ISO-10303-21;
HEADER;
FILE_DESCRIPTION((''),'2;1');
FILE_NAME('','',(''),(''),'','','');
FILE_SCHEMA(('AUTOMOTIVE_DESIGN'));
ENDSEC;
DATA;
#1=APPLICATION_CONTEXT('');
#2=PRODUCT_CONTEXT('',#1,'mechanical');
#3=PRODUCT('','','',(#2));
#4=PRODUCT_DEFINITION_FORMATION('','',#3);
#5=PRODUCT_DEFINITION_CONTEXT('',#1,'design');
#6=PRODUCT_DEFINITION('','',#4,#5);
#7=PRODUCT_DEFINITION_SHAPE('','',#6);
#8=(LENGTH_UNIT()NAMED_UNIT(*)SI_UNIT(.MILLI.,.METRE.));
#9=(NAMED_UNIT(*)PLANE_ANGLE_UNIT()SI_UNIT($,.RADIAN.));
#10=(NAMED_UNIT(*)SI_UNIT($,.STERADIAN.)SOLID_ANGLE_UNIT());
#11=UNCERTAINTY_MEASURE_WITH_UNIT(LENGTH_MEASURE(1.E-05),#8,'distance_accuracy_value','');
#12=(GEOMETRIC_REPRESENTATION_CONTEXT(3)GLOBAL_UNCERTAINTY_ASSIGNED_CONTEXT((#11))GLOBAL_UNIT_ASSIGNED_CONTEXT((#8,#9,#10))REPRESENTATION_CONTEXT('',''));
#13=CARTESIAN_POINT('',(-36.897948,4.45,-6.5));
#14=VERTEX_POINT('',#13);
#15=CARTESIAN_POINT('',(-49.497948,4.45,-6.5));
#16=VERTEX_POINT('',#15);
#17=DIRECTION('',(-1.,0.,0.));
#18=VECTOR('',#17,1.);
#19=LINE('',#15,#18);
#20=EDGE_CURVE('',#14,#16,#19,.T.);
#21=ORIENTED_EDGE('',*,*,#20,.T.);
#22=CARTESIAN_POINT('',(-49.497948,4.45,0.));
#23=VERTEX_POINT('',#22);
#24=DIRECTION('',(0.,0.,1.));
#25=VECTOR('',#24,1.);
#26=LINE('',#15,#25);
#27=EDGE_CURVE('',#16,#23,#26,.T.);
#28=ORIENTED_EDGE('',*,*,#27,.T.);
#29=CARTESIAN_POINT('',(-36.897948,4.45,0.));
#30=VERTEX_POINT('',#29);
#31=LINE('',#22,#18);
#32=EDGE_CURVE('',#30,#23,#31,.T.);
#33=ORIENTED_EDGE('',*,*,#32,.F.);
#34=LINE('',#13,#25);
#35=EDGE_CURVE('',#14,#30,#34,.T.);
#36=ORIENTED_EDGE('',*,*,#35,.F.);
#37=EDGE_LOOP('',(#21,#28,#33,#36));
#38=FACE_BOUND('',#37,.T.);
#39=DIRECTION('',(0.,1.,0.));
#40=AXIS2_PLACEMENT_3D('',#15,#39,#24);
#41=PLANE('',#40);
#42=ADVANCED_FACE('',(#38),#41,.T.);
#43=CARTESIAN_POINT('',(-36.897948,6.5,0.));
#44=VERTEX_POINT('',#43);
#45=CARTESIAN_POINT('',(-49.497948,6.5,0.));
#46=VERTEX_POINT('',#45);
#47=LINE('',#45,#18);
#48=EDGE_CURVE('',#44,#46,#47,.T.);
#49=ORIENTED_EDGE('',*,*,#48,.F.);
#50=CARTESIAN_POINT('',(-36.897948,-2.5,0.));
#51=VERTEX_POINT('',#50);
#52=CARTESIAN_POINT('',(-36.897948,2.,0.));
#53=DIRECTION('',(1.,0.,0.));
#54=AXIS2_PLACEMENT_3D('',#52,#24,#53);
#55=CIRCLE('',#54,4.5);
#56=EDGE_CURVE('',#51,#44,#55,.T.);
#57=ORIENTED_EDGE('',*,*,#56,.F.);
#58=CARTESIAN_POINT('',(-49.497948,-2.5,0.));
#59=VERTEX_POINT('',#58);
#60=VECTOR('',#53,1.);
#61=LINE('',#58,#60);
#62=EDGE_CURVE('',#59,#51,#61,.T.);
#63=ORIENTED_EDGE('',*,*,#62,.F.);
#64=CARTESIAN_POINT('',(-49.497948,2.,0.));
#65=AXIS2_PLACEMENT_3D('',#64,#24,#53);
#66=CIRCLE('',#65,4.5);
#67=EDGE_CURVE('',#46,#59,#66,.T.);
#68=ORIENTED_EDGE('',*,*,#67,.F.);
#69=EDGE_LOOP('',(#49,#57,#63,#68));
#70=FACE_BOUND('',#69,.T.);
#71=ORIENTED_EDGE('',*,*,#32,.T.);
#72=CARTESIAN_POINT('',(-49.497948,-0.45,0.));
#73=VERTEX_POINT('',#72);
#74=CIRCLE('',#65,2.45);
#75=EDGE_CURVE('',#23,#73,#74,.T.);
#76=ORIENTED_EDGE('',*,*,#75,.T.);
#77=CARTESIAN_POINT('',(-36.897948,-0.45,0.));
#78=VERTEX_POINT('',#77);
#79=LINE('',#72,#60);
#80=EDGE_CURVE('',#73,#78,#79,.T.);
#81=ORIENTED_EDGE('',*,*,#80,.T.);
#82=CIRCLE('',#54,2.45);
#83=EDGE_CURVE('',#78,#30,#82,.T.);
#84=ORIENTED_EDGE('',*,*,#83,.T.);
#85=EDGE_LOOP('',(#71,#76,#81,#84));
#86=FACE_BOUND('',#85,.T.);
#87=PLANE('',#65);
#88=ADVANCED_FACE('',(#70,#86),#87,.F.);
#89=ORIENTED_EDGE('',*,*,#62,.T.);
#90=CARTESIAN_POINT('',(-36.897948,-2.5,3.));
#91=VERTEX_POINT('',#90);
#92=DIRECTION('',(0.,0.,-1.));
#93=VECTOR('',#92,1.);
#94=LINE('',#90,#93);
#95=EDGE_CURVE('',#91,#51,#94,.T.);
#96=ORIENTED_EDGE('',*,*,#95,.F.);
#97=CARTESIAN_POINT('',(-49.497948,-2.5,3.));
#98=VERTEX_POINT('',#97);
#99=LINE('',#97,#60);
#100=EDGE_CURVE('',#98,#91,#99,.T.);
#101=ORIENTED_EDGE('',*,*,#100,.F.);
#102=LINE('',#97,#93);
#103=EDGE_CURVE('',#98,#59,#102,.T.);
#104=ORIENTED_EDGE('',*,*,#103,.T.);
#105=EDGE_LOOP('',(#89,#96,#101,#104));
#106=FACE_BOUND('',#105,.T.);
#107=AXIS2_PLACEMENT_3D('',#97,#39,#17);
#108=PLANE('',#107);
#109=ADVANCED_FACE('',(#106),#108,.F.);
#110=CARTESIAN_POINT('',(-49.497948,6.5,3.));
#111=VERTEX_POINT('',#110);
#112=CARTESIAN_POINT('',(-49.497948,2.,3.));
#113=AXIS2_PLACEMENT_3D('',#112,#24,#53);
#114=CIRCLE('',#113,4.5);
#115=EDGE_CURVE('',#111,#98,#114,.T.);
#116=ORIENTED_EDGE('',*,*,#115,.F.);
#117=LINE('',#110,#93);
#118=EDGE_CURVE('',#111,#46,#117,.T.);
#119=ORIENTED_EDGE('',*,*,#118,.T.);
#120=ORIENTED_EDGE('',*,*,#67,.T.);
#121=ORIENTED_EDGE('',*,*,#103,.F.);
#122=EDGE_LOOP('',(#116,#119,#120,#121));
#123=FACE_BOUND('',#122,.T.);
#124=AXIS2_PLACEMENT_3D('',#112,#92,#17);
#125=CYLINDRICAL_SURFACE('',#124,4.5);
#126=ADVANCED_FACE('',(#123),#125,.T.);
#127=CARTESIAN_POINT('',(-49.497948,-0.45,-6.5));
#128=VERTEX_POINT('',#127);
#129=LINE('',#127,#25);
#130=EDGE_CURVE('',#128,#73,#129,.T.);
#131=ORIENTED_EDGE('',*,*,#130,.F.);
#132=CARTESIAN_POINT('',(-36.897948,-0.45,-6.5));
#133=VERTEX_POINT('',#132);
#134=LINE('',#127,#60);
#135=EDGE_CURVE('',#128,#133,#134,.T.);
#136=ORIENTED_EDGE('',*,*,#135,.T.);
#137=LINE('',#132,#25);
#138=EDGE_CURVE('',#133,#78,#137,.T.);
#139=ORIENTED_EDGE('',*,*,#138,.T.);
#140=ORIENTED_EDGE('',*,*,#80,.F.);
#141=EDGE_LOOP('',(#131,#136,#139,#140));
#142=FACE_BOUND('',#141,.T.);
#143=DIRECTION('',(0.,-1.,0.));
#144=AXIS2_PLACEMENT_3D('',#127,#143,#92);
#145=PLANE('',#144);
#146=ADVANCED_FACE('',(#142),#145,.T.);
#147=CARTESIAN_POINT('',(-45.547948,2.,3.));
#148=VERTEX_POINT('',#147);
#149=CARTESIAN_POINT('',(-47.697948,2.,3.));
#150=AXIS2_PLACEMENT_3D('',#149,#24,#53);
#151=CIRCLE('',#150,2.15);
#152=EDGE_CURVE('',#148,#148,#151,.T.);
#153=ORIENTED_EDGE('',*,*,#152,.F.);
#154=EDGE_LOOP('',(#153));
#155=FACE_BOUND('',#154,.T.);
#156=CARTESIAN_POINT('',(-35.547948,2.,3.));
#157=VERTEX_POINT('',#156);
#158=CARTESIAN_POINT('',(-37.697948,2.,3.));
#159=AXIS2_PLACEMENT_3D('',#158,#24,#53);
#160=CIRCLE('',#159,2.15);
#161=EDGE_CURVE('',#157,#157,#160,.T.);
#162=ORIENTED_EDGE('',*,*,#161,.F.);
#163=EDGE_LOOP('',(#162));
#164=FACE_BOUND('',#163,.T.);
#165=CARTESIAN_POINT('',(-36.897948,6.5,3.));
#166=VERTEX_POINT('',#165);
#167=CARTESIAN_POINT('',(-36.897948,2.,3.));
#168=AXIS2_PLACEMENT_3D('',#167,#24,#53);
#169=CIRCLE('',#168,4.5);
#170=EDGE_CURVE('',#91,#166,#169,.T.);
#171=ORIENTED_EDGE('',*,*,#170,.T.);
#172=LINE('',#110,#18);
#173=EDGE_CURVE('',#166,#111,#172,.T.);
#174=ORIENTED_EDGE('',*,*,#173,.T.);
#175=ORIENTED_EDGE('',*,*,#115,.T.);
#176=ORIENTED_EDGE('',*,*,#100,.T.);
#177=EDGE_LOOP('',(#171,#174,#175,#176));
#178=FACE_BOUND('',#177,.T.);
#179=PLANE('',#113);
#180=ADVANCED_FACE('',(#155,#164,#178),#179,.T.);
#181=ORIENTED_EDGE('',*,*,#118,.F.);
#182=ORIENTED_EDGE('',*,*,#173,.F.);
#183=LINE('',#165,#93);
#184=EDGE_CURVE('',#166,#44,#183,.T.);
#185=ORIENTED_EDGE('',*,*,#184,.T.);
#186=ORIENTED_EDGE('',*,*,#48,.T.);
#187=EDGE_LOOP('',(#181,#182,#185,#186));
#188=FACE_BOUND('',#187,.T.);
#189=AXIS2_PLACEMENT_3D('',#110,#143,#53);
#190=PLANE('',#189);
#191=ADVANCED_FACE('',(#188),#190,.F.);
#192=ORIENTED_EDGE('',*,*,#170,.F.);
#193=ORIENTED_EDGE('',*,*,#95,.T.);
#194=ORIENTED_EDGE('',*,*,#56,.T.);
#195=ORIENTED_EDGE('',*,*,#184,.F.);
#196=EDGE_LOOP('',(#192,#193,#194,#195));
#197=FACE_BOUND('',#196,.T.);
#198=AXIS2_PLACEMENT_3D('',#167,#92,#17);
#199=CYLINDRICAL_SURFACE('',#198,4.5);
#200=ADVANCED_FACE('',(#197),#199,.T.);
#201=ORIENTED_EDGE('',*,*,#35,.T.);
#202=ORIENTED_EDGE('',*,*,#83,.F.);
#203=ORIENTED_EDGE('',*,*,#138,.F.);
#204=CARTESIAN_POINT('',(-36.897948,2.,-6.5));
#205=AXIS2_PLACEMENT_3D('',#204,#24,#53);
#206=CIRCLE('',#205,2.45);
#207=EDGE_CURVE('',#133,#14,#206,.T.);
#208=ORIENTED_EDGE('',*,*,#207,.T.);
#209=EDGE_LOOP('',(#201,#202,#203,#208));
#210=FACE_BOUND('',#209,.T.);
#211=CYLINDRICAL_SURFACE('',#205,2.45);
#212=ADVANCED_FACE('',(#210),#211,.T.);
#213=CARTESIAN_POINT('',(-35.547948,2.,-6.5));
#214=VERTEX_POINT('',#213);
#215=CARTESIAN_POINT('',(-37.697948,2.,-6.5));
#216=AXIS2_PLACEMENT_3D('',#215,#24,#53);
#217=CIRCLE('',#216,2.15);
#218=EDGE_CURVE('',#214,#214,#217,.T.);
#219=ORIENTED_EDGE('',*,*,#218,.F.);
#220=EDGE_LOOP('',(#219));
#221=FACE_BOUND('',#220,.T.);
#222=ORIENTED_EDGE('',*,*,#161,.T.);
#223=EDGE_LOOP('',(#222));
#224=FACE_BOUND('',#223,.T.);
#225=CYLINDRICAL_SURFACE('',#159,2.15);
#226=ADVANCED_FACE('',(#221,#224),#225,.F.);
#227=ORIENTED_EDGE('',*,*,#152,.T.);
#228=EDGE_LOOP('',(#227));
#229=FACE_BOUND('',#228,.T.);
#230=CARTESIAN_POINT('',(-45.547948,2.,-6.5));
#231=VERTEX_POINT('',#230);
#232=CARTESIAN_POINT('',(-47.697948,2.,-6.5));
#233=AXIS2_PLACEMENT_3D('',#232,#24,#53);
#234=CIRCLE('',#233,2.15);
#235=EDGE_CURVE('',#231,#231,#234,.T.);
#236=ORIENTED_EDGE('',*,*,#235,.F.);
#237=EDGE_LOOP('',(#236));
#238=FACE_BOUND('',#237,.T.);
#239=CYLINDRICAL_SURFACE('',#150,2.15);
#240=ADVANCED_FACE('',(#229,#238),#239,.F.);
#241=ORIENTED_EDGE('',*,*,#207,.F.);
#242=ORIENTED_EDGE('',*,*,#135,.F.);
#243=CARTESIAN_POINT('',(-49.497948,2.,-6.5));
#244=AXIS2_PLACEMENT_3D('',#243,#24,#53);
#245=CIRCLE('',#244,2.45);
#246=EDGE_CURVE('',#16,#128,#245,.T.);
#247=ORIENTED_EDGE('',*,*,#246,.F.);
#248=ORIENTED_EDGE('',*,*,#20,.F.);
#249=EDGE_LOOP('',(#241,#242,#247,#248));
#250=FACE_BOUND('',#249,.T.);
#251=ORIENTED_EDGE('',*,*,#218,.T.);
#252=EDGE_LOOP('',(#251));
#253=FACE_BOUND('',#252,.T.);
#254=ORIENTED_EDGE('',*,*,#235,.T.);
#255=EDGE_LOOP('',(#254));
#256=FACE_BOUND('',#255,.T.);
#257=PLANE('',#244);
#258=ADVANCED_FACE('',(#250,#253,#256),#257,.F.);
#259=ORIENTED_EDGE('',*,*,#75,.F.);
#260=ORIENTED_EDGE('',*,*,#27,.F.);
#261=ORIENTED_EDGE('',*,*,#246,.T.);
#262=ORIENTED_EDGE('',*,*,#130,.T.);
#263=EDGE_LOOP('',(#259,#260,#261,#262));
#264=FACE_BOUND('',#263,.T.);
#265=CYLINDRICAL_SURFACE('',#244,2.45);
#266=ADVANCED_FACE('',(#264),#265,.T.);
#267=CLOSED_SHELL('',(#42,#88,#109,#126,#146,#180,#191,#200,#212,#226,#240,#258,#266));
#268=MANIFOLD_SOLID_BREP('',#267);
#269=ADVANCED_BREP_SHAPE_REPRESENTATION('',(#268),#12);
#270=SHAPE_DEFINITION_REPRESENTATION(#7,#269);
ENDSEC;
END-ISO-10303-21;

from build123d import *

# Parameters (mm, degrees)
BOSS_EXTRUDE1_DEPTH  = 6.5
BOSS_EXTRUDE2_DEPTH  = 3
M4_CLEARANCE_HOLE1_D = 4.3


with BuildPart() as part:
    # Sketch2 → Boss-Extrude1 (new body)
    with BuildSketch(Plane.XY):
        with BuildLine():
            Line((-49.497947743, 4.45), (-36.897947743, 4.45))
            ThreePointArc((-36.897947743, 4.45), (-34.447947743, 2), (-36.897947743, -0.45))
            Line((-36.897947743, -0.45), (-49.497947743, -0.45))
            ThreePointArc((-49.497947743, -0.45), (-51.947947743, 2), (-49.497947743, 4.45))
        make_face()
    extrude(amount=-BOSS_EXTRUDE1_DEPTH)

    # Sketch3 → Boss-Extrude2 (add)
    with BuildSketch(Plane.XY):
        with BuildLine():
            Line((-49.497947743, 6.5), (-36.897947743, 6.5))
            ThreePointArc((-36.897947743, 6.5), (-32.397947743, 2), (-36.897947743, -2.5))
            Line((-36.897947743, -2.5), (-49.497947743, -2.5))
            ThreePointArc((-49.497947743, -2.5), (-53.997947743, 2), (-49.497947743, 6.5))
        make_face()
    extrude(amount=BOSS_EXTRUDE2_DEPTH)

    # M4 Clearance Hole1 (through all)
    with Locations(Plane(origin=(-47.697947743, 2, 3), x_dir=(1, 0, 0), z_dir=(0, 0, 1))):
        with Locations((0, 0), (10, 0)):
            Hole(M4_CLEARANCE_HOLE1_D / 2)


solid = part.part
